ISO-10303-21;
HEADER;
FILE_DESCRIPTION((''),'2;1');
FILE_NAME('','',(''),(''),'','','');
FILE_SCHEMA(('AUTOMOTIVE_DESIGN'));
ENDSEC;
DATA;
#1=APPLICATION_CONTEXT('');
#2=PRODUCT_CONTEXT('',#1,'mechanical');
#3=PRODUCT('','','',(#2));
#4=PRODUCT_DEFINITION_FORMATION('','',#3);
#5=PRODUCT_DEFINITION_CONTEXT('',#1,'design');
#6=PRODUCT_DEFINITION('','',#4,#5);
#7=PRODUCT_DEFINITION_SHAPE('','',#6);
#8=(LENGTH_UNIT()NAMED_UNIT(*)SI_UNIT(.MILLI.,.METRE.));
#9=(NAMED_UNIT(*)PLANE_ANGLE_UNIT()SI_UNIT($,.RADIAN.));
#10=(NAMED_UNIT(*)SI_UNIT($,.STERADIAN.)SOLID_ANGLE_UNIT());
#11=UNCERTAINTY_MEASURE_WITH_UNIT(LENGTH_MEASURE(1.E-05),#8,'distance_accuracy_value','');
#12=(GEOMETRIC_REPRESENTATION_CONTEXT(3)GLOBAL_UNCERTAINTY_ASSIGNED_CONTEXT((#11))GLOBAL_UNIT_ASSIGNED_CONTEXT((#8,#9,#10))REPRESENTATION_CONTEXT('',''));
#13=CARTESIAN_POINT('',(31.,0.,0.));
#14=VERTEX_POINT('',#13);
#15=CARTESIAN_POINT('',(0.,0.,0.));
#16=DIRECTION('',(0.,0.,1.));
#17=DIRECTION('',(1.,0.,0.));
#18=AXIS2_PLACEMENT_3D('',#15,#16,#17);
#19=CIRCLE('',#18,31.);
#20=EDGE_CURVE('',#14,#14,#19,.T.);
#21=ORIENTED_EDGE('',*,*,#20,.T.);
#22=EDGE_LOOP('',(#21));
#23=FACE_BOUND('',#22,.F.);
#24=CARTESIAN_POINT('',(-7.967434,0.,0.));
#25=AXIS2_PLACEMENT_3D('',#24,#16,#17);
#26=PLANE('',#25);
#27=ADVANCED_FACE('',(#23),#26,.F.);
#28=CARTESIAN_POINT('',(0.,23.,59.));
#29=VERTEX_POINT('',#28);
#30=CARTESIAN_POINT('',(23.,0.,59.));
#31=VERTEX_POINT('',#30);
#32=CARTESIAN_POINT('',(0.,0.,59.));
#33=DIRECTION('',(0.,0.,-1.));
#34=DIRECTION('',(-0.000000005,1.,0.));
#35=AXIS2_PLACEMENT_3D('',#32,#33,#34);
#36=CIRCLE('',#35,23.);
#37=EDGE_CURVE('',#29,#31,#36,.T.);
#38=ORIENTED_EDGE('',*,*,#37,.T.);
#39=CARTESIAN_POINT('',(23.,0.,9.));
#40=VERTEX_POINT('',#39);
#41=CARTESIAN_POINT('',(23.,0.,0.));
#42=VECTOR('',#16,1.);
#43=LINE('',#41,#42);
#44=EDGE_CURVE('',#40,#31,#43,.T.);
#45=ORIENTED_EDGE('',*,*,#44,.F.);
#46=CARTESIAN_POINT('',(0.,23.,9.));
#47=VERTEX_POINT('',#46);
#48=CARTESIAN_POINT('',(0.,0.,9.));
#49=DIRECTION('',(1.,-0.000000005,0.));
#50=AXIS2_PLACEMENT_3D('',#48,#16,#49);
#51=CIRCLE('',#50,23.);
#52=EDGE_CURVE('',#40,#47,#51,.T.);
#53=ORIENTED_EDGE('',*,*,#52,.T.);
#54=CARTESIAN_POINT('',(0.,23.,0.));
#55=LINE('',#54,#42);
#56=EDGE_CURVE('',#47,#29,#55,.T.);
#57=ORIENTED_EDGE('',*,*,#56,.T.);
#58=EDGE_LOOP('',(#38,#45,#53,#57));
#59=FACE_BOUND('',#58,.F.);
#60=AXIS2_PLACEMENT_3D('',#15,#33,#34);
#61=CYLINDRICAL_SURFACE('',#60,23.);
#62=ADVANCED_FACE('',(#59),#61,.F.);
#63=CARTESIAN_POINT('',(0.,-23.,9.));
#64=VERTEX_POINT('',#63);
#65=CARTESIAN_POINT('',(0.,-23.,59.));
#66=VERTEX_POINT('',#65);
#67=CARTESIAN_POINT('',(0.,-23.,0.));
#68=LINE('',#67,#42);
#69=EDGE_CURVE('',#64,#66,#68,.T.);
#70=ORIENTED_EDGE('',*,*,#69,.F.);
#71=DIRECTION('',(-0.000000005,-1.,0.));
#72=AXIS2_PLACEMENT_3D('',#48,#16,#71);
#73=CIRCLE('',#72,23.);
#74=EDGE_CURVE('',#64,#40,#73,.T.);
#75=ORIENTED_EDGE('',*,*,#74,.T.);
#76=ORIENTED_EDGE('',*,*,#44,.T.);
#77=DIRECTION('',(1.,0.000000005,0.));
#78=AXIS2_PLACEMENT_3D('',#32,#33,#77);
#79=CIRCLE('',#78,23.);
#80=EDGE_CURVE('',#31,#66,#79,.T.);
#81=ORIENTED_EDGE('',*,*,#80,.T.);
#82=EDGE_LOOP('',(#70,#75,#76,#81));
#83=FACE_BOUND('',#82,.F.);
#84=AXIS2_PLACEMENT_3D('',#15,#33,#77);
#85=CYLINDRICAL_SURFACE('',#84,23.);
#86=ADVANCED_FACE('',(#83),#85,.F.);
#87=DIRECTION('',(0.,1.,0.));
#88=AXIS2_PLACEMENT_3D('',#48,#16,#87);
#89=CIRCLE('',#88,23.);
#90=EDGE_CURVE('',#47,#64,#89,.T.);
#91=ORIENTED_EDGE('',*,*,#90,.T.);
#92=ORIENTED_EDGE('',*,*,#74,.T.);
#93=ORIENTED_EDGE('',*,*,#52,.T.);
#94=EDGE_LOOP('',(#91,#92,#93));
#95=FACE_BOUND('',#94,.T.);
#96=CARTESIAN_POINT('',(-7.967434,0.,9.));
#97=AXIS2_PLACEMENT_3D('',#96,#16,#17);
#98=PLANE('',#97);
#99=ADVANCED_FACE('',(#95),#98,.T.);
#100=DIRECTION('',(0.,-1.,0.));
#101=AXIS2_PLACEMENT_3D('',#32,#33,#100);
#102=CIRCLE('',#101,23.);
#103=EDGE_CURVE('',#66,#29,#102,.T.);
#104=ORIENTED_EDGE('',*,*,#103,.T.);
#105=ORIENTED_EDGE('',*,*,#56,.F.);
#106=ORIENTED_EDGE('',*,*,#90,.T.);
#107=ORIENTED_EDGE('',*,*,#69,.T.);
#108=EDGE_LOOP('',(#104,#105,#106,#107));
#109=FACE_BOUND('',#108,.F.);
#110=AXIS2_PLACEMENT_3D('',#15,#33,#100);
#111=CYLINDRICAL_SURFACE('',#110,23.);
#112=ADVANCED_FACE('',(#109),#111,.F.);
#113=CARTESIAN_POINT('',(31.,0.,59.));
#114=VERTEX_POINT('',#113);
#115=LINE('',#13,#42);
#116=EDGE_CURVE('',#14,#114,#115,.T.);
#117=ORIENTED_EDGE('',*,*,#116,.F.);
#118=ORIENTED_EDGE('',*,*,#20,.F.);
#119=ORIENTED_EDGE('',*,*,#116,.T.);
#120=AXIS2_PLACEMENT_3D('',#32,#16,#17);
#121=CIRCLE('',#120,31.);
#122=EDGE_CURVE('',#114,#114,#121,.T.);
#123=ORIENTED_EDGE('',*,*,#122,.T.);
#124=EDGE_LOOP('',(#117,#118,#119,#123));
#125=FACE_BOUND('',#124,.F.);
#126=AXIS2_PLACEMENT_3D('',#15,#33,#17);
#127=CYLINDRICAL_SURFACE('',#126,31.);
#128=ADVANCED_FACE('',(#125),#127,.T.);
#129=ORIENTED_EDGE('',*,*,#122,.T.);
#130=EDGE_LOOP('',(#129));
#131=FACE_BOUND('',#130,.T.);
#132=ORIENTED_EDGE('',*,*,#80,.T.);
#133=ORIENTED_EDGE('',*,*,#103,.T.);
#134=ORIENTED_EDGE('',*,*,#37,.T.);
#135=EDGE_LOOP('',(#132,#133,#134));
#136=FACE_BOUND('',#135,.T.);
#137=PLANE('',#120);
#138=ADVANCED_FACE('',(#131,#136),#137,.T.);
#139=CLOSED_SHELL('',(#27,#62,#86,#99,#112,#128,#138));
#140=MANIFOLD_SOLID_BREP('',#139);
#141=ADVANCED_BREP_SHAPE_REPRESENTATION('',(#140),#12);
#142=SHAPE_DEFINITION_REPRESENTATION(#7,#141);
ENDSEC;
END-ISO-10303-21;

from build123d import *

# Parameters (mm, degrees)
F0_R     = 31
F1_DEPTH = 59
F2_DEPTH = 9


with BuildPart() as f1:
    # F0 (on Top) → F1 (new body)
    with BuildSketch(Plane.XY):
        Circle(F0_R)
        with BuildLine():
            ThreePointArc((0, 23), (16.263456, 16.263456), (23, 0))
            ThreePointArc((23, 0), (16.263456, -16.263456), (0, -23))
            ThreePointArc((0, -23), (-23, 0), (0, 23))
        make_face(mode=Mode.SUBTRACT)
    extrude(amount=F1_DEPTH)

    # F0 (on Top) → F2 (join)
    with BuildSketch(Plane.XY):
        with BuildLine():
            Line((0, -23), (0, 23))
            ThreePointArc((0, 23), (-23, 0), (0, -23))
        make_face()
        with BuildLine():
            ThreePointArc((0, -23), (16.263456, -16.263456), (23, 0))
            ThreePointArc((23, 0), (16.263456, 16.263456), (0, 23))
            Line((0, 23), (0, -23))
        make_face()
    extrude(amount=F2_DEPTH)


solid = f1.part
